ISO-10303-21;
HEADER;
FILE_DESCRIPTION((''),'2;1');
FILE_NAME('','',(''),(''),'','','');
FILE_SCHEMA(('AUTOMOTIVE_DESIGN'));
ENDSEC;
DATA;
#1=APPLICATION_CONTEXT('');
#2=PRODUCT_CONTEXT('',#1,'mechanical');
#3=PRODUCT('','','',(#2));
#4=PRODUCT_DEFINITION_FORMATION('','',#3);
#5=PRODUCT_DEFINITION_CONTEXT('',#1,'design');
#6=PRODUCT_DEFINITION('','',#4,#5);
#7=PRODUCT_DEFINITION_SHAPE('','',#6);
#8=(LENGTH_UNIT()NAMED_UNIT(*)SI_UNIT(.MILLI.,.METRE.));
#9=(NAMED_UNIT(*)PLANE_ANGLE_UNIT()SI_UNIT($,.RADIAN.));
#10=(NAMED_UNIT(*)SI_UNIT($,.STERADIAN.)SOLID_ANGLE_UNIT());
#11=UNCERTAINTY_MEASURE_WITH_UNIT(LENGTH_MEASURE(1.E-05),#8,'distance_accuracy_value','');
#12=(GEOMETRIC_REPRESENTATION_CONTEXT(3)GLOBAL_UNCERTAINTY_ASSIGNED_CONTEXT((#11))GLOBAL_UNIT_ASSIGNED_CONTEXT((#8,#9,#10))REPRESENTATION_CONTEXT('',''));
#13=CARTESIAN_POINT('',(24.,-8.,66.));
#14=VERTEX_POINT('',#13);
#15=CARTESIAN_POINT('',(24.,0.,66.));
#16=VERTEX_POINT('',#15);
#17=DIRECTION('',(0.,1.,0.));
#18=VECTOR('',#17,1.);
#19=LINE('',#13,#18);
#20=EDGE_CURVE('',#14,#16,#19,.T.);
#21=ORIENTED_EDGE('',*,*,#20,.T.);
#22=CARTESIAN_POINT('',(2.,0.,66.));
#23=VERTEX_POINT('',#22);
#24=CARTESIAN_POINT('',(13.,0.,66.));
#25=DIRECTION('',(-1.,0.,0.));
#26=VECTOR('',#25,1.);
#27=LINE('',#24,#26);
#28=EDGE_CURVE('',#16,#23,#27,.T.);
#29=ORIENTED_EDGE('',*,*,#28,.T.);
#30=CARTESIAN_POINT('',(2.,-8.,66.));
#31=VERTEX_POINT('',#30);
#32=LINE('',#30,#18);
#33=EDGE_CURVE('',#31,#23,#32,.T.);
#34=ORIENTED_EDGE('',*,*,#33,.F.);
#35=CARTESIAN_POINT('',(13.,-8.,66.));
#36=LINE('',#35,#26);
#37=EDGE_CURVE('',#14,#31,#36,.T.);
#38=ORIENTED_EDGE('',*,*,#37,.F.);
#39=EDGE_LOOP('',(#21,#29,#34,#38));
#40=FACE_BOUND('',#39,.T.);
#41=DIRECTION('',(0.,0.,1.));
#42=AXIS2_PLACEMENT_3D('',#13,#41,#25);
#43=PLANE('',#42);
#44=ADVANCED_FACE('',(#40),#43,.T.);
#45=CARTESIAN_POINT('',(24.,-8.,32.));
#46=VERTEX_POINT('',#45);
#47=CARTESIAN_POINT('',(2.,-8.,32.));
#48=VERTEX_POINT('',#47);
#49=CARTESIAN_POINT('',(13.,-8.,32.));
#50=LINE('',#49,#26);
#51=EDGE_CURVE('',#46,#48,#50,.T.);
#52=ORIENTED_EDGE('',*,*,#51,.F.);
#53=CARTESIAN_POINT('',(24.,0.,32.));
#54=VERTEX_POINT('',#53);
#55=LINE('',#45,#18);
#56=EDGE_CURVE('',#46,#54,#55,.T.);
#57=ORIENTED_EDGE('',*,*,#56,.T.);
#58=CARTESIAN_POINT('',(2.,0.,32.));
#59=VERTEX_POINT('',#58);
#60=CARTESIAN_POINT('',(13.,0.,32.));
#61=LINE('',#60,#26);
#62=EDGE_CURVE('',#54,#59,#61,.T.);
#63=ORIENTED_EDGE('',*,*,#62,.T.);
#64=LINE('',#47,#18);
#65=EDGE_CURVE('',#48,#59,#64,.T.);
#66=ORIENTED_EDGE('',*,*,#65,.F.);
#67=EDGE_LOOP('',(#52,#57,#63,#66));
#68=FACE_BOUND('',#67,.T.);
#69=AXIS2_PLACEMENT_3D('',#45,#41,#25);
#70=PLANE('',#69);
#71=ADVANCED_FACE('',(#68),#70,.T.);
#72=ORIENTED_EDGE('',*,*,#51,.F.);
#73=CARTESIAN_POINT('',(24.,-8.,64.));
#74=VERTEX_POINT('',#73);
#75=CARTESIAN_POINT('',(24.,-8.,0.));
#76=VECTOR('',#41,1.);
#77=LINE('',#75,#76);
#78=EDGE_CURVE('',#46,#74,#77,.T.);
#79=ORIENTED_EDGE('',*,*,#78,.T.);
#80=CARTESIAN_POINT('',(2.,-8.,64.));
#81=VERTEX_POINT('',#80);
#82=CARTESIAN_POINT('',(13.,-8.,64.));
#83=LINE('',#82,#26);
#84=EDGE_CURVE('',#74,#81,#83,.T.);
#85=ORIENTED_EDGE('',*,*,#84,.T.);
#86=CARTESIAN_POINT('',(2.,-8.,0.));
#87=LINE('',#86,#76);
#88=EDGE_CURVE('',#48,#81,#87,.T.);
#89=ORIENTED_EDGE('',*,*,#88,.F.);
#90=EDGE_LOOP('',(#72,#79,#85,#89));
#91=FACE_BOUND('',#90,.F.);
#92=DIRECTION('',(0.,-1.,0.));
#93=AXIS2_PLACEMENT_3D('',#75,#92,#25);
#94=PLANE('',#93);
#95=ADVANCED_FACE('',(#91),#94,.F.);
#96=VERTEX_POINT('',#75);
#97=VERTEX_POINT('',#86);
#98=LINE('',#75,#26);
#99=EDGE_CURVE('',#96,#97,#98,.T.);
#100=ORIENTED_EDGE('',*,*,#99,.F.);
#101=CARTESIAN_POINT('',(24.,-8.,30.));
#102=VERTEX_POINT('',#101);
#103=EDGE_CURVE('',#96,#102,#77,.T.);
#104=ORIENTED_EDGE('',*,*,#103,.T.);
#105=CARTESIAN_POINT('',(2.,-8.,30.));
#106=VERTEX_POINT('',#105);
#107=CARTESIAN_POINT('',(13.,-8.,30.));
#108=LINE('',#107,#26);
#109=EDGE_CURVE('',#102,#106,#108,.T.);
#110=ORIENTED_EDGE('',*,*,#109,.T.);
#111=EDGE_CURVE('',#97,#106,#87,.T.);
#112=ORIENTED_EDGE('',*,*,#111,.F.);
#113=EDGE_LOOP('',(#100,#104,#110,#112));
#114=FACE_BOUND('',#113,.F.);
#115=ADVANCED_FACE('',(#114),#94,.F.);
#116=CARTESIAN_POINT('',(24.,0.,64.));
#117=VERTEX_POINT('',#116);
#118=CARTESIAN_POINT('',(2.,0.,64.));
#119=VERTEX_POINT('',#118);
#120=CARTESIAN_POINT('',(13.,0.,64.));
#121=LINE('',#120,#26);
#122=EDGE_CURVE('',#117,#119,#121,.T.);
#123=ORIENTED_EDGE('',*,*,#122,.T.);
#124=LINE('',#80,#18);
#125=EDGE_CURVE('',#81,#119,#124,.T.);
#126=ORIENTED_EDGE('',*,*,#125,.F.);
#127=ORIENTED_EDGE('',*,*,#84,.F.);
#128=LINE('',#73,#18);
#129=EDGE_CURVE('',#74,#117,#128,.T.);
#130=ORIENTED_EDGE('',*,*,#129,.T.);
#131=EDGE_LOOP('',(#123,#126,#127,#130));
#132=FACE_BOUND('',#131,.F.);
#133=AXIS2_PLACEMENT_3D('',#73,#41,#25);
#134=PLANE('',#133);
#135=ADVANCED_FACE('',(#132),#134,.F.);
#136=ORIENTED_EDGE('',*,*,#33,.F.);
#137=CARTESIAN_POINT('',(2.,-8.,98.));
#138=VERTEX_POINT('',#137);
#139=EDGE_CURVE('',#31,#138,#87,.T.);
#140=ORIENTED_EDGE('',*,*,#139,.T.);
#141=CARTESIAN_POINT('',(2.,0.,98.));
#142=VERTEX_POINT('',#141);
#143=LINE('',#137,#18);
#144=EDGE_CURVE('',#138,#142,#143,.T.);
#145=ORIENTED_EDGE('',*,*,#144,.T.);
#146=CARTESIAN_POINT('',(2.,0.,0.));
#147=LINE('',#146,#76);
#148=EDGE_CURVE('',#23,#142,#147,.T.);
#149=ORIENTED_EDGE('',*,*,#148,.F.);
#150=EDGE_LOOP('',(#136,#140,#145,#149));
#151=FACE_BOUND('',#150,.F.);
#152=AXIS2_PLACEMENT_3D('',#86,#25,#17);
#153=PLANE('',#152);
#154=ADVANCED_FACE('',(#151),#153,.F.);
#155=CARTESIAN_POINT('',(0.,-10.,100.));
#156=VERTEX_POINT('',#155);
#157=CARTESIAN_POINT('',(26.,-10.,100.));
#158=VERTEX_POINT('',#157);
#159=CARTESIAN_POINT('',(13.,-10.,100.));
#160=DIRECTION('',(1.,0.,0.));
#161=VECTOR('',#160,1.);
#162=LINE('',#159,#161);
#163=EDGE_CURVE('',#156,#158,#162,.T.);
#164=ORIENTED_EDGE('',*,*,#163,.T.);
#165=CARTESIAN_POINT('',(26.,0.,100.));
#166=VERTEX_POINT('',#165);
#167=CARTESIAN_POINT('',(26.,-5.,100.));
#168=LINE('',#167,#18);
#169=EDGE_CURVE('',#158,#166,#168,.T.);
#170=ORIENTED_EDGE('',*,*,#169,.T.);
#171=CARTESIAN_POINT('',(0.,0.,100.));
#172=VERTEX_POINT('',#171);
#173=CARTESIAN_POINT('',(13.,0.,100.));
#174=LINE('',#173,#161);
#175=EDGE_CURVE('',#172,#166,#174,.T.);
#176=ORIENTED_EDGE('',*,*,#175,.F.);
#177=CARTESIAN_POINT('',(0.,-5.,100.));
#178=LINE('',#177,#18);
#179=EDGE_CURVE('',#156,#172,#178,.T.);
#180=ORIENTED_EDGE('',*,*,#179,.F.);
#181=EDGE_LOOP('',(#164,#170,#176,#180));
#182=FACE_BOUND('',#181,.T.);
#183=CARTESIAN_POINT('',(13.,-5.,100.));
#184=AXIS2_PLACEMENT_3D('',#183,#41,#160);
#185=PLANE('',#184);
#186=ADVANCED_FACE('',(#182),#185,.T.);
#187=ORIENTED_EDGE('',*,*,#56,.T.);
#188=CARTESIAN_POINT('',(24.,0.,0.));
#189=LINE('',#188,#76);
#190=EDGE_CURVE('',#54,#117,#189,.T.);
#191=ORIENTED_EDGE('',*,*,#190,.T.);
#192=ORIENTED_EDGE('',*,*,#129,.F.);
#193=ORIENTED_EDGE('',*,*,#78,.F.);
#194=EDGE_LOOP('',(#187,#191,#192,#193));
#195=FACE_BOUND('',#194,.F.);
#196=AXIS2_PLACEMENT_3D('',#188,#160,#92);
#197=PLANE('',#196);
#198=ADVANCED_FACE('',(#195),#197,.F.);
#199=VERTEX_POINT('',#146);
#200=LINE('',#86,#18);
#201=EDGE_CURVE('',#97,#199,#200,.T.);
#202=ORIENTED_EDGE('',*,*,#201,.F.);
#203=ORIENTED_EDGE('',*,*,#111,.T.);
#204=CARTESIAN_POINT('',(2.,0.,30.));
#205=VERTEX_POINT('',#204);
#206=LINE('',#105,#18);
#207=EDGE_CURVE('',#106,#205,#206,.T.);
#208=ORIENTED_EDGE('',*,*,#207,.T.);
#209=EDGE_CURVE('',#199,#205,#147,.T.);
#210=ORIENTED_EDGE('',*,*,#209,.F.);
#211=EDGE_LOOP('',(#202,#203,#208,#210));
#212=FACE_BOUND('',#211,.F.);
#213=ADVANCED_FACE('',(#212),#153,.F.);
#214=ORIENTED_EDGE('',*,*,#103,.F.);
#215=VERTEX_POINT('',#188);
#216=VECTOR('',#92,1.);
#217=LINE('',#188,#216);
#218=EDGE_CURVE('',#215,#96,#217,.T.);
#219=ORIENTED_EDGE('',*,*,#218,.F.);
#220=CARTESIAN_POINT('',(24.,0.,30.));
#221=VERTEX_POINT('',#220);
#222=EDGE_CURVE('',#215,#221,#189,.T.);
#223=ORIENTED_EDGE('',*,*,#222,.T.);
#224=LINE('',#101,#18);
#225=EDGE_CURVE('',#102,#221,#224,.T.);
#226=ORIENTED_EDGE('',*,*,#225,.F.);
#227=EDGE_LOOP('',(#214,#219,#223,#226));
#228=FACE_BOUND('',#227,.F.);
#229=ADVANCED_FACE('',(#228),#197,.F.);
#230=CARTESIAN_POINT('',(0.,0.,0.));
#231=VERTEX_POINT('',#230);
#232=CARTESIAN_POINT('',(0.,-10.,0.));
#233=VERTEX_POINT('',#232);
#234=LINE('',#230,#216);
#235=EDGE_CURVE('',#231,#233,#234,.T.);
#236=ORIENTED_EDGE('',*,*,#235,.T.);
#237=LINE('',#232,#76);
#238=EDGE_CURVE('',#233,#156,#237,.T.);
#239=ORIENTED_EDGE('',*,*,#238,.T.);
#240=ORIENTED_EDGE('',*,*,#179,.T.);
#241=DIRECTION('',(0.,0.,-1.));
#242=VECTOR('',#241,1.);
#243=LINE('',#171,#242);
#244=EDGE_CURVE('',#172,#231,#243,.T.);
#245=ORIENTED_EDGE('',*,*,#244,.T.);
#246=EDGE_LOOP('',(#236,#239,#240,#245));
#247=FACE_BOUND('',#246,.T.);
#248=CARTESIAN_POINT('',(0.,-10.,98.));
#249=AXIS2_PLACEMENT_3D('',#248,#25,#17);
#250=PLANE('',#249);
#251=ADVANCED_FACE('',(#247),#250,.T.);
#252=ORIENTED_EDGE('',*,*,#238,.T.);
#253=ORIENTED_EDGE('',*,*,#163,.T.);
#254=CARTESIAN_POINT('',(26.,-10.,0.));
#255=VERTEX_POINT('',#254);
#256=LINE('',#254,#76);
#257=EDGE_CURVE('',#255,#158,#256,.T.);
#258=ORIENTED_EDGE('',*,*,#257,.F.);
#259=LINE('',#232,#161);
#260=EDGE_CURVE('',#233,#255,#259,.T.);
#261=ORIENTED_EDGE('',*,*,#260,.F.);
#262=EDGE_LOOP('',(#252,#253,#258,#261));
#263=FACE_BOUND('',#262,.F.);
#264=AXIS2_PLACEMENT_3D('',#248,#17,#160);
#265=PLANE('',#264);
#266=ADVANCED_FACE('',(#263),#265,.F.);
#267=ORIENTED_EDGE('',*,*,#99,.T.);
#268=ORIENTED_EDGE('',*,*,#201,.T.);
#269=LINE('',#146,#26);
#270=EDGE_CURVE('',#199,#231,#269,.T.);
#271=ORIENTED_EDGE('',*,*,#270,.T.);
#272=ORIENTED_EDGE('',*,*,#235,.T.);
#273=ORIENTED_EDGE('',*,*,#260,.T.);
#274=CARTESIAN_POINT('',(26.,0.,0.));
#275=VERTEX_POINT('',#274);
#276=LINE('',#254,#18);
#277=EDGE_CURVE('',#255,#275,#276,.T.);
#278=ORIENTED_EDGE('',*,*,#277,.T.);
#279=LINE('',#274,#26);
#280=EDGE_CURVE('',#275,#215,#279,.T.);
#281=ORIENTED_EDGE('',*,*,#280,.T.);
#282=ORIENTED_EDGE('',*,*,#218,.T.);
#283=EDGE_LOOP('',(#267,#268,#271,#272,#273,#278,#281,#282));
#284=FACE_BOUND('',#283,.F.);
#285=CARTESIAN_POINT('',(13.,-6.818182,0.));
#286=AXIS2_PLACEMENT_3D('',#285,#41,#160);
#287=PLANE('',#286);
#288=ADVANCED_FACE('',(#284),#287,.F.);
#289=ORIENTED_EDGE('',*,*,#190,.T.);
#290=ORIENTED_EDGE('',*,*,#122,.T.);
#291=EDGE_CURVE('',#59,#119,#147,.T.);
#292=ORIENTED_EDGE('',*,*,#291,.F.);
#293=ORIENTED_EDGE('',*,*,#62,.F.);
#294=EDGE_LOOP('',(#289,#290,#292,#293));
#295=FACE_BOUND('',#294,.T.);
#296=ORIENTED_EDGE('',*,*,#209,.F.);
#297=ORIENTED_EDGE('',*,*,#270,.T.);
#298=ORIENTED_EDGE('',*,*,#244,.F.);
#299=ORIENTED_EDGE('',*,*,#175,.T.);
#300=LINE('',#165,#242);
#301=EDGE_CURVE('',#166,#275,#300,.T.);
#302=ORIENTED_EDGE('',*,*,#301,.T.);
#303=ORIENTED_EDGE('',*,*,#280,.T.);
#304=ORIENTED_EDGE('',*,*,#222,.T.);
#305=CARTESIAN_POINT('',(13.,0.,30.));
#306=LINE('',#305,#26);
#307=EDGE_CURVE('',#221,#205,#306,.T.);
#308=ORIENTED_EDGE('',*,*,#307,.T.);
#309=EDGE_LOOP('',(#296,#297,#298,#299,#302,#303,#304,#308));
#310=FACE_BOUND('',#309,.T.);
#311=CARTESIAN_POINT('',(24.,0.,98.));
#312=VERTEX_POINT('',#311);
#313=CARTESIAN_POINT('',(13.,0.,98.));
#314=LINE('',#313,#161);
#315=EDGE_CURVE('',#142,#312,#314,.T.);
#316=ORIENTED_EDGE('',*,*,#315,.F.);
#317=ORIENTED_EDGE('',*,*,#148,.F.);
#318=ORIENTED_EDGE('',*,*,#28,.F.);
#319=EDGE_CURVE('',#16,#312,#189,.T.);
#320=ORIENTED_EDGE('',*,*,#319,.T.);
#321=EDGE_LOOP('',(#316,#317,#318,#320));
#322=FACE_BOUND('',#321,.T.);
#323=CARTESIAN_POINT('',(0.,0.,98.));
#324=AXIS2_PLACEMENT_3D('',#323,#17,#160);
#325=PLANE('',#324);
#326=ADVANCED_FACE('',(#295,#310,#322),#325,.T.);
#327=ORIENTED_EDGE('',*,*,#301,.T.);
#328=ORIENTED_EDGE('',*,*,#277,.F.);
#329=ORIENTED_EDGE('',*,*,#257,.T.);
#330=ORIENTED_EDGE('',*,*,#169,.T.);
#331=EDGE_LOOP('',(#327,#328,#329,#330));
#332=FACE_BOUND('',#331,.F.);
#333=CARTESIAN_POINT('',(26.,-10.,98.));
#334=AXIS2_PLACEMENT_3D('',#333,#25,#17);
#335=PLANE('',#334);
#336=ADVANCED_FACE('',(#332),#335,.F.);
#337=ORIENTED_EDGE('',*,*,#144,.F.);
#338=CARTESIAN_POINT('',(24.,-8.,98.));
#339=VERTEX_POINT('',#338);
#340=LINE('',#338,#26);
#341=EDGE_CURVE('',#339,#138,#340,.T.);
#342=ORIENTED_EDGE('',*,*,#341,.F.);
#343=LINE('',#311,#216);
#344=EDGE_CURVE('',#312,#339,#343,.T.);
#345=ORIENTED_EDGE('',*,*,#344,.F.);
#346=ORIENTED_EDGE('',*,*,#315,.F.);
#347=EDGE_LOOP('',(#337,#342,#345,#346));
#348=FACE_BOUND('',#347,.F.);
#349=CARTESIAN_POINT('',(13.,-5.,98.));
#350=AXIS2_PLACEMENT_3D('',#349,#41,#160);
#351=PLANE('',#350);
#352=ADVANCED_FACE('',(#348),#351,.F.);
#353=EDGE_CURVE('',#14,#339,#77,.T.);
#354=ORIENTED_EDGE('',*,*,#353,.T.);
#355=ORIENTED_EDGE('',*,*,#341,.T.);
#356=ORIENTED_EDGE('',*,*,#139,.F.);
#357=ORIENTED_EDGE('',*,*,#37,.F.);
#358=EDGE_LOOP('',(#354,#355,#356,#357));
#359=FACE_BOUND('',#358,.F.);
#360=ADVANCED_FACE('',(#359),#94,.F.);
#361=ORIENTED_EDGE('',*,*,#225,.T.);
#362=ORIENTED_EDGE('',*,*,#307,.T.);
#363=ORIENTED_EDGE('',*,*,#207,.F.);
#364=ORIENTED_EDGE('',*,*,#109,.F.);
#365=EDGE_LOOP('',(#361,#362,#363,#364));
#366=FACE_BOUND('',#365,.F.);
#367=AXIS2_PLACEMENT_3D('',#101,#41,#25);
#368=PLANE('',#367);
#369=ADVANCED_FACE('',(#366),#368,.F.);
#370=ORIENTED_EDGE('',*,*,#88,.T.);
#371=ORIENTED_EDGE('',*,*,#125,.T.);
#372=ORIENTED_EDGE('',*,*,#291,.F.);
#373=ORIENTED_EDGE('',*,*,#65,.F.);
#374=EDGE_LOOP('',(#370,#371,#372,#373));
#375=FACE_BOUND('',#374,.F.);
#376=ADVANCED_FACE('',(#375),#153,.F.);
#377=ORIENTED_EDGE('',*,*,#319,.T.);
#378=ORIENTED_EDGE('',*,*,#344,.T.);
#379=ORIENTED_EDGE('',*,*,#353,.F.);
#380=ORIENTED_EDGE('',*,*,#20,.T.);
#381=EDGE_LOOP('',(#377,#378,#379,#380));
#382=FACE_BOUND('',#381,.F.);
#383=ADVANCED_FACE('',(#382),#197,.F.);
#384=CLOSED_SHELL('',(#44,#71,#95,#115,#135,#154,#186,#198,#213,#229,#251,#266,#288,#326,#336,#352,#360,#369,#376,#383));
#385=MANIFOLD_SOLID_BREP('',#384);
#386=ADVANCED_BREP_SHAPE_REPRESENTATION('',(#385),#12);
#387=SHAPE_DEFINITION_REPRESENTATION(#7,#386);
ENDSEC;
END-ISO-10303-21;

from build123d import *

# Parameters (mm, degrees)
F1_DEPTH = 98
F2_W     = 26
F2_H     = 10
F3_DEPTH = 2
F4_W     = 22
F4_H     = 2
F5_DEPTH = 8


with BuildPart() as f1:
    # F0 (on Top) → F1 (new body)
    with BuildSketch(Plane.XY):
        Polygon((2, 0), (0, 0), (0, -10), (26, -10), (26, 0), (24, 0), (24, -8), (2, -8), align=None)
    extrude(amount=F1_DEPTH)

    # F2 (on face) → F3 (join)
    with BuildSketch(Plane.XY.offset(98)):
        with Locations((13, -5)):
            Rectangle(F2_W, F2_H)
    extrude(amount=F3_DEPTH)

    # F4 (on face) → F5 (join, through all)
    with BuildSketch(Plane(origin=(0, -8, 0), x_dir=(-1, 0, 0), z_dir=(0, 1, 0))):
        with Locations((-13, 65)):
            Rectangle(F4_W, F4_H)
        with Locations((-13, 31)):
            Rectangle(F4_W, F4_H)
    extrude(amount=F5_DEPTH)


solid = f1.part
